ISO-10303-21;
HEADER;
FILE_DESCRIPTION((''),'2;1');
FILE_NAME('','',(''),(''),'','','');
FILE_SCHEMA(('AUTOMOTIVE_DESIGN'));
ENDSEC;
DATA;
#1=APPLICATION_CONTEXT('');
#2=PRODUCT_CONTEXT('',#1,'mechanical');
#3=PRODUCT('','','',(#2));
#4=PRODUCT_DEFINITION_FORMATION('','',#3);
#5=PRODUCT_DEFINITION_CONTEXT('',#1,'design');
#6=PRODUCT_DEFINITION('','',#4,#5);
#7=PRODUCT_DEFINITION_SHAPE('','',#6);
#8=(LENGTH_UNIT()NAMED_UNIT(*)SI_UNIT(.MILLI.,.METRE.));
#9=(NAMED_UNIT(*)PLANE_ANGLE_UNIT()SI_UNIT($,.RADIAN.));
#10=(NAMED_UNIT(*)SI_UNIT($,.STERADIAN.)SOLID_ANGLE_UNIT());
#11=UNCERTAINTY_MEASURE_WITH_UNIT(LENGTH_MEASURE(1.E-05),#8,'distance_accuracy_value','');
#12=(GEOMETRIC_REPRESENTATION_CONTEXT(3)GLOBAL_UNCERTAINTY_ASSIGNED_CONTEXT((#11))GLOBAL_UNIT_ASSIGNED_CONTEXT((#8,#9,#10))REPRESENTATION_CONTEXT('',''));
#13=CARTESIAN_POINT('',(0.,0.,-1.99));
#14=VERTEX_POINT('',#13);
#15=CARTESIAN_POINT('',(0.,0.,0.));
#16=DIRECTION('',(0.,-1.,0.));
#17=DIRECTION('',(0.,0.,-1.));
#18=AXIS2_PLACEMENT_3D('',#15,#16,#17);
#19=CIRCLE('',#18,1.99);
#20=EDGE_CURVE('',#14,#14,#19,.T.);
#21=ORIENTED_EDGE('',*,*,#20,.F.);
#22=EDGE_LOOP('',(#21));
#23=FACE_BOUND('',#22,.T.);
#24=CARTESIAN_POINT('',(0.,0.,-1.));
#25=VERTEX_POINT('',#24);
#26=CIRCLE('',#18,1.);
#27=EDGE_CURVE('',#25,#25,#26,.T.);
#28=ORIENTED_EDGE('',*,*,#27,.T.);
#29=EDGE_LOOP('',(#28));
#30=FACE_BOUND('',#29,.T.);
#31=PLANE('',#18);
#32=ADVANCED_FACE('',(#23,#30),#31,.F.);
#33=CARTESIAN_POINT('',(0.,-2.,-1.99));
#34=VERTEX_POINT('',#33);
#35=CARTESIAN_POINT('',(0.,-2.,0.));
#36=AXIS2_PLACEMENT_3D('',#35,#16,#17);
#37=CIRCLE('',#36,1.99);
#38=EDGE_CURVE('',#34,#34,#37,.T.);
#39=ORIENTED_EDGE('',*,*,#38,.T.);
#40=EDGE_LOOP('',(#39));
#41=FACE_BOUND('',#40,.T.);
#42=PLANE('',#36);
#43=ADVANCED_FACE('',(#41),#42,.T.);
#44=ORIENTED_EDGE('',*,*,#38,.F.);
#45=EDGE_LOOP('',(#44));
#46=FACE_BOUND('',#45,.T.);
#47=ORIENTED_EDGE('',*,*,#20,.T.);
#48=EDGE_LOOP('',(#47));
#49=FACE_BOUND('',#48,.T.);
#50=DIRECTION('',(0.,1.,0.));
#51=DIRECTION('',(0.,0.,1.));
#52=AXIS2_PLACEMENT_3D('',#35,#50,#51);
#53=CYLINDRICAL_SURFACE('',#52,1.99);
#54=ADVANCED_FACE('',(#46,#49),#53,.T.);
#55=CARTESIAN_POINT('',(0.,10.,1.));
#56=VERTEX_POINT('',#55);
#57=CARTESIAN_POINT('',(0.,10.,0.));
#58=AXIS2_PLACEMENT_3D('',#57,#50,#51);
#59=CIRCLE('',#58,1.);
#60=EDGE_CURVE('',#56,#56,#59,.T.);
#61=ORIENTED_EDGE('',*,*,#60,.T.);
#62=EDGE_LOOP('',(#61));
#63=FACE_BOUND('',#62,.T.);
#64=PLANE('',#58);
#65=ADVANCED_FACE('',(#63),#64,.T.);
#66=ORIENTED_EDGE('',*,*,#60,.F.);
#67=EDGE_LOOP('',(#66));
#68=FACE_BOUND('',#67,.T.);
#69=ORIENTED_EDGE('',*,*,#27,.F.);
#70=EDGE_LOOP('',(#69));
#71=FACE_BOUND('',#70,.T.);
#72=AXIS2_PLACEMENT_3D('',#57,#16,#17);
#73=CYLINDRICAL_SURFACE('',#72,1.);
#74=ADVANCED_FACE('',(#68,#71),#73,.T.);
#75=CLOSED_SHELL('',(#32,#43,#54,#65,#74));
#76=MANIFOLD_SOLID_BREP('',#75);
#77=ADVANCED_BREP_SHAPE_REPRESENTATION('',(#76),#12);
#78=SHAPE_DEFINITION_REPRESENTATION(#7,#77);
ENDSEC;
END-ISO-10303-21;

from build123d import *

# Parameters (mm, degrees)
SKETCH_1_R      = 1
EXTRUDE_1_DEPTH = 10
SKETCH_2_R      = 1.99
EXTRUDE_2_DEPTH = 2


with BuildPart() as part:
    # 草图1 → 凸台-拉伸1 (new body)
    with BuildSketch(Plane(origin=(0, 0, 0), x_dir=(1, 0, 0), z_dir=(0, 1, 0))):
        with Locations(Location((0, 0, 0), (0, 0, 270))):
            Circle(SKETCH_1_R)
    extrude(amount=EXTRUDE_1_DEPTH)

    # 草图2 → 凸台-拉伸2 (add)
    with BuildSketch(Plane.XZ):
        with Locations(Location((0, 0, 0), (0, 0, 270))):
            Circle(SKETCH_2_R)
    extrude(amount=EXTRUDE_2_DEPTH)


solid = part.part
